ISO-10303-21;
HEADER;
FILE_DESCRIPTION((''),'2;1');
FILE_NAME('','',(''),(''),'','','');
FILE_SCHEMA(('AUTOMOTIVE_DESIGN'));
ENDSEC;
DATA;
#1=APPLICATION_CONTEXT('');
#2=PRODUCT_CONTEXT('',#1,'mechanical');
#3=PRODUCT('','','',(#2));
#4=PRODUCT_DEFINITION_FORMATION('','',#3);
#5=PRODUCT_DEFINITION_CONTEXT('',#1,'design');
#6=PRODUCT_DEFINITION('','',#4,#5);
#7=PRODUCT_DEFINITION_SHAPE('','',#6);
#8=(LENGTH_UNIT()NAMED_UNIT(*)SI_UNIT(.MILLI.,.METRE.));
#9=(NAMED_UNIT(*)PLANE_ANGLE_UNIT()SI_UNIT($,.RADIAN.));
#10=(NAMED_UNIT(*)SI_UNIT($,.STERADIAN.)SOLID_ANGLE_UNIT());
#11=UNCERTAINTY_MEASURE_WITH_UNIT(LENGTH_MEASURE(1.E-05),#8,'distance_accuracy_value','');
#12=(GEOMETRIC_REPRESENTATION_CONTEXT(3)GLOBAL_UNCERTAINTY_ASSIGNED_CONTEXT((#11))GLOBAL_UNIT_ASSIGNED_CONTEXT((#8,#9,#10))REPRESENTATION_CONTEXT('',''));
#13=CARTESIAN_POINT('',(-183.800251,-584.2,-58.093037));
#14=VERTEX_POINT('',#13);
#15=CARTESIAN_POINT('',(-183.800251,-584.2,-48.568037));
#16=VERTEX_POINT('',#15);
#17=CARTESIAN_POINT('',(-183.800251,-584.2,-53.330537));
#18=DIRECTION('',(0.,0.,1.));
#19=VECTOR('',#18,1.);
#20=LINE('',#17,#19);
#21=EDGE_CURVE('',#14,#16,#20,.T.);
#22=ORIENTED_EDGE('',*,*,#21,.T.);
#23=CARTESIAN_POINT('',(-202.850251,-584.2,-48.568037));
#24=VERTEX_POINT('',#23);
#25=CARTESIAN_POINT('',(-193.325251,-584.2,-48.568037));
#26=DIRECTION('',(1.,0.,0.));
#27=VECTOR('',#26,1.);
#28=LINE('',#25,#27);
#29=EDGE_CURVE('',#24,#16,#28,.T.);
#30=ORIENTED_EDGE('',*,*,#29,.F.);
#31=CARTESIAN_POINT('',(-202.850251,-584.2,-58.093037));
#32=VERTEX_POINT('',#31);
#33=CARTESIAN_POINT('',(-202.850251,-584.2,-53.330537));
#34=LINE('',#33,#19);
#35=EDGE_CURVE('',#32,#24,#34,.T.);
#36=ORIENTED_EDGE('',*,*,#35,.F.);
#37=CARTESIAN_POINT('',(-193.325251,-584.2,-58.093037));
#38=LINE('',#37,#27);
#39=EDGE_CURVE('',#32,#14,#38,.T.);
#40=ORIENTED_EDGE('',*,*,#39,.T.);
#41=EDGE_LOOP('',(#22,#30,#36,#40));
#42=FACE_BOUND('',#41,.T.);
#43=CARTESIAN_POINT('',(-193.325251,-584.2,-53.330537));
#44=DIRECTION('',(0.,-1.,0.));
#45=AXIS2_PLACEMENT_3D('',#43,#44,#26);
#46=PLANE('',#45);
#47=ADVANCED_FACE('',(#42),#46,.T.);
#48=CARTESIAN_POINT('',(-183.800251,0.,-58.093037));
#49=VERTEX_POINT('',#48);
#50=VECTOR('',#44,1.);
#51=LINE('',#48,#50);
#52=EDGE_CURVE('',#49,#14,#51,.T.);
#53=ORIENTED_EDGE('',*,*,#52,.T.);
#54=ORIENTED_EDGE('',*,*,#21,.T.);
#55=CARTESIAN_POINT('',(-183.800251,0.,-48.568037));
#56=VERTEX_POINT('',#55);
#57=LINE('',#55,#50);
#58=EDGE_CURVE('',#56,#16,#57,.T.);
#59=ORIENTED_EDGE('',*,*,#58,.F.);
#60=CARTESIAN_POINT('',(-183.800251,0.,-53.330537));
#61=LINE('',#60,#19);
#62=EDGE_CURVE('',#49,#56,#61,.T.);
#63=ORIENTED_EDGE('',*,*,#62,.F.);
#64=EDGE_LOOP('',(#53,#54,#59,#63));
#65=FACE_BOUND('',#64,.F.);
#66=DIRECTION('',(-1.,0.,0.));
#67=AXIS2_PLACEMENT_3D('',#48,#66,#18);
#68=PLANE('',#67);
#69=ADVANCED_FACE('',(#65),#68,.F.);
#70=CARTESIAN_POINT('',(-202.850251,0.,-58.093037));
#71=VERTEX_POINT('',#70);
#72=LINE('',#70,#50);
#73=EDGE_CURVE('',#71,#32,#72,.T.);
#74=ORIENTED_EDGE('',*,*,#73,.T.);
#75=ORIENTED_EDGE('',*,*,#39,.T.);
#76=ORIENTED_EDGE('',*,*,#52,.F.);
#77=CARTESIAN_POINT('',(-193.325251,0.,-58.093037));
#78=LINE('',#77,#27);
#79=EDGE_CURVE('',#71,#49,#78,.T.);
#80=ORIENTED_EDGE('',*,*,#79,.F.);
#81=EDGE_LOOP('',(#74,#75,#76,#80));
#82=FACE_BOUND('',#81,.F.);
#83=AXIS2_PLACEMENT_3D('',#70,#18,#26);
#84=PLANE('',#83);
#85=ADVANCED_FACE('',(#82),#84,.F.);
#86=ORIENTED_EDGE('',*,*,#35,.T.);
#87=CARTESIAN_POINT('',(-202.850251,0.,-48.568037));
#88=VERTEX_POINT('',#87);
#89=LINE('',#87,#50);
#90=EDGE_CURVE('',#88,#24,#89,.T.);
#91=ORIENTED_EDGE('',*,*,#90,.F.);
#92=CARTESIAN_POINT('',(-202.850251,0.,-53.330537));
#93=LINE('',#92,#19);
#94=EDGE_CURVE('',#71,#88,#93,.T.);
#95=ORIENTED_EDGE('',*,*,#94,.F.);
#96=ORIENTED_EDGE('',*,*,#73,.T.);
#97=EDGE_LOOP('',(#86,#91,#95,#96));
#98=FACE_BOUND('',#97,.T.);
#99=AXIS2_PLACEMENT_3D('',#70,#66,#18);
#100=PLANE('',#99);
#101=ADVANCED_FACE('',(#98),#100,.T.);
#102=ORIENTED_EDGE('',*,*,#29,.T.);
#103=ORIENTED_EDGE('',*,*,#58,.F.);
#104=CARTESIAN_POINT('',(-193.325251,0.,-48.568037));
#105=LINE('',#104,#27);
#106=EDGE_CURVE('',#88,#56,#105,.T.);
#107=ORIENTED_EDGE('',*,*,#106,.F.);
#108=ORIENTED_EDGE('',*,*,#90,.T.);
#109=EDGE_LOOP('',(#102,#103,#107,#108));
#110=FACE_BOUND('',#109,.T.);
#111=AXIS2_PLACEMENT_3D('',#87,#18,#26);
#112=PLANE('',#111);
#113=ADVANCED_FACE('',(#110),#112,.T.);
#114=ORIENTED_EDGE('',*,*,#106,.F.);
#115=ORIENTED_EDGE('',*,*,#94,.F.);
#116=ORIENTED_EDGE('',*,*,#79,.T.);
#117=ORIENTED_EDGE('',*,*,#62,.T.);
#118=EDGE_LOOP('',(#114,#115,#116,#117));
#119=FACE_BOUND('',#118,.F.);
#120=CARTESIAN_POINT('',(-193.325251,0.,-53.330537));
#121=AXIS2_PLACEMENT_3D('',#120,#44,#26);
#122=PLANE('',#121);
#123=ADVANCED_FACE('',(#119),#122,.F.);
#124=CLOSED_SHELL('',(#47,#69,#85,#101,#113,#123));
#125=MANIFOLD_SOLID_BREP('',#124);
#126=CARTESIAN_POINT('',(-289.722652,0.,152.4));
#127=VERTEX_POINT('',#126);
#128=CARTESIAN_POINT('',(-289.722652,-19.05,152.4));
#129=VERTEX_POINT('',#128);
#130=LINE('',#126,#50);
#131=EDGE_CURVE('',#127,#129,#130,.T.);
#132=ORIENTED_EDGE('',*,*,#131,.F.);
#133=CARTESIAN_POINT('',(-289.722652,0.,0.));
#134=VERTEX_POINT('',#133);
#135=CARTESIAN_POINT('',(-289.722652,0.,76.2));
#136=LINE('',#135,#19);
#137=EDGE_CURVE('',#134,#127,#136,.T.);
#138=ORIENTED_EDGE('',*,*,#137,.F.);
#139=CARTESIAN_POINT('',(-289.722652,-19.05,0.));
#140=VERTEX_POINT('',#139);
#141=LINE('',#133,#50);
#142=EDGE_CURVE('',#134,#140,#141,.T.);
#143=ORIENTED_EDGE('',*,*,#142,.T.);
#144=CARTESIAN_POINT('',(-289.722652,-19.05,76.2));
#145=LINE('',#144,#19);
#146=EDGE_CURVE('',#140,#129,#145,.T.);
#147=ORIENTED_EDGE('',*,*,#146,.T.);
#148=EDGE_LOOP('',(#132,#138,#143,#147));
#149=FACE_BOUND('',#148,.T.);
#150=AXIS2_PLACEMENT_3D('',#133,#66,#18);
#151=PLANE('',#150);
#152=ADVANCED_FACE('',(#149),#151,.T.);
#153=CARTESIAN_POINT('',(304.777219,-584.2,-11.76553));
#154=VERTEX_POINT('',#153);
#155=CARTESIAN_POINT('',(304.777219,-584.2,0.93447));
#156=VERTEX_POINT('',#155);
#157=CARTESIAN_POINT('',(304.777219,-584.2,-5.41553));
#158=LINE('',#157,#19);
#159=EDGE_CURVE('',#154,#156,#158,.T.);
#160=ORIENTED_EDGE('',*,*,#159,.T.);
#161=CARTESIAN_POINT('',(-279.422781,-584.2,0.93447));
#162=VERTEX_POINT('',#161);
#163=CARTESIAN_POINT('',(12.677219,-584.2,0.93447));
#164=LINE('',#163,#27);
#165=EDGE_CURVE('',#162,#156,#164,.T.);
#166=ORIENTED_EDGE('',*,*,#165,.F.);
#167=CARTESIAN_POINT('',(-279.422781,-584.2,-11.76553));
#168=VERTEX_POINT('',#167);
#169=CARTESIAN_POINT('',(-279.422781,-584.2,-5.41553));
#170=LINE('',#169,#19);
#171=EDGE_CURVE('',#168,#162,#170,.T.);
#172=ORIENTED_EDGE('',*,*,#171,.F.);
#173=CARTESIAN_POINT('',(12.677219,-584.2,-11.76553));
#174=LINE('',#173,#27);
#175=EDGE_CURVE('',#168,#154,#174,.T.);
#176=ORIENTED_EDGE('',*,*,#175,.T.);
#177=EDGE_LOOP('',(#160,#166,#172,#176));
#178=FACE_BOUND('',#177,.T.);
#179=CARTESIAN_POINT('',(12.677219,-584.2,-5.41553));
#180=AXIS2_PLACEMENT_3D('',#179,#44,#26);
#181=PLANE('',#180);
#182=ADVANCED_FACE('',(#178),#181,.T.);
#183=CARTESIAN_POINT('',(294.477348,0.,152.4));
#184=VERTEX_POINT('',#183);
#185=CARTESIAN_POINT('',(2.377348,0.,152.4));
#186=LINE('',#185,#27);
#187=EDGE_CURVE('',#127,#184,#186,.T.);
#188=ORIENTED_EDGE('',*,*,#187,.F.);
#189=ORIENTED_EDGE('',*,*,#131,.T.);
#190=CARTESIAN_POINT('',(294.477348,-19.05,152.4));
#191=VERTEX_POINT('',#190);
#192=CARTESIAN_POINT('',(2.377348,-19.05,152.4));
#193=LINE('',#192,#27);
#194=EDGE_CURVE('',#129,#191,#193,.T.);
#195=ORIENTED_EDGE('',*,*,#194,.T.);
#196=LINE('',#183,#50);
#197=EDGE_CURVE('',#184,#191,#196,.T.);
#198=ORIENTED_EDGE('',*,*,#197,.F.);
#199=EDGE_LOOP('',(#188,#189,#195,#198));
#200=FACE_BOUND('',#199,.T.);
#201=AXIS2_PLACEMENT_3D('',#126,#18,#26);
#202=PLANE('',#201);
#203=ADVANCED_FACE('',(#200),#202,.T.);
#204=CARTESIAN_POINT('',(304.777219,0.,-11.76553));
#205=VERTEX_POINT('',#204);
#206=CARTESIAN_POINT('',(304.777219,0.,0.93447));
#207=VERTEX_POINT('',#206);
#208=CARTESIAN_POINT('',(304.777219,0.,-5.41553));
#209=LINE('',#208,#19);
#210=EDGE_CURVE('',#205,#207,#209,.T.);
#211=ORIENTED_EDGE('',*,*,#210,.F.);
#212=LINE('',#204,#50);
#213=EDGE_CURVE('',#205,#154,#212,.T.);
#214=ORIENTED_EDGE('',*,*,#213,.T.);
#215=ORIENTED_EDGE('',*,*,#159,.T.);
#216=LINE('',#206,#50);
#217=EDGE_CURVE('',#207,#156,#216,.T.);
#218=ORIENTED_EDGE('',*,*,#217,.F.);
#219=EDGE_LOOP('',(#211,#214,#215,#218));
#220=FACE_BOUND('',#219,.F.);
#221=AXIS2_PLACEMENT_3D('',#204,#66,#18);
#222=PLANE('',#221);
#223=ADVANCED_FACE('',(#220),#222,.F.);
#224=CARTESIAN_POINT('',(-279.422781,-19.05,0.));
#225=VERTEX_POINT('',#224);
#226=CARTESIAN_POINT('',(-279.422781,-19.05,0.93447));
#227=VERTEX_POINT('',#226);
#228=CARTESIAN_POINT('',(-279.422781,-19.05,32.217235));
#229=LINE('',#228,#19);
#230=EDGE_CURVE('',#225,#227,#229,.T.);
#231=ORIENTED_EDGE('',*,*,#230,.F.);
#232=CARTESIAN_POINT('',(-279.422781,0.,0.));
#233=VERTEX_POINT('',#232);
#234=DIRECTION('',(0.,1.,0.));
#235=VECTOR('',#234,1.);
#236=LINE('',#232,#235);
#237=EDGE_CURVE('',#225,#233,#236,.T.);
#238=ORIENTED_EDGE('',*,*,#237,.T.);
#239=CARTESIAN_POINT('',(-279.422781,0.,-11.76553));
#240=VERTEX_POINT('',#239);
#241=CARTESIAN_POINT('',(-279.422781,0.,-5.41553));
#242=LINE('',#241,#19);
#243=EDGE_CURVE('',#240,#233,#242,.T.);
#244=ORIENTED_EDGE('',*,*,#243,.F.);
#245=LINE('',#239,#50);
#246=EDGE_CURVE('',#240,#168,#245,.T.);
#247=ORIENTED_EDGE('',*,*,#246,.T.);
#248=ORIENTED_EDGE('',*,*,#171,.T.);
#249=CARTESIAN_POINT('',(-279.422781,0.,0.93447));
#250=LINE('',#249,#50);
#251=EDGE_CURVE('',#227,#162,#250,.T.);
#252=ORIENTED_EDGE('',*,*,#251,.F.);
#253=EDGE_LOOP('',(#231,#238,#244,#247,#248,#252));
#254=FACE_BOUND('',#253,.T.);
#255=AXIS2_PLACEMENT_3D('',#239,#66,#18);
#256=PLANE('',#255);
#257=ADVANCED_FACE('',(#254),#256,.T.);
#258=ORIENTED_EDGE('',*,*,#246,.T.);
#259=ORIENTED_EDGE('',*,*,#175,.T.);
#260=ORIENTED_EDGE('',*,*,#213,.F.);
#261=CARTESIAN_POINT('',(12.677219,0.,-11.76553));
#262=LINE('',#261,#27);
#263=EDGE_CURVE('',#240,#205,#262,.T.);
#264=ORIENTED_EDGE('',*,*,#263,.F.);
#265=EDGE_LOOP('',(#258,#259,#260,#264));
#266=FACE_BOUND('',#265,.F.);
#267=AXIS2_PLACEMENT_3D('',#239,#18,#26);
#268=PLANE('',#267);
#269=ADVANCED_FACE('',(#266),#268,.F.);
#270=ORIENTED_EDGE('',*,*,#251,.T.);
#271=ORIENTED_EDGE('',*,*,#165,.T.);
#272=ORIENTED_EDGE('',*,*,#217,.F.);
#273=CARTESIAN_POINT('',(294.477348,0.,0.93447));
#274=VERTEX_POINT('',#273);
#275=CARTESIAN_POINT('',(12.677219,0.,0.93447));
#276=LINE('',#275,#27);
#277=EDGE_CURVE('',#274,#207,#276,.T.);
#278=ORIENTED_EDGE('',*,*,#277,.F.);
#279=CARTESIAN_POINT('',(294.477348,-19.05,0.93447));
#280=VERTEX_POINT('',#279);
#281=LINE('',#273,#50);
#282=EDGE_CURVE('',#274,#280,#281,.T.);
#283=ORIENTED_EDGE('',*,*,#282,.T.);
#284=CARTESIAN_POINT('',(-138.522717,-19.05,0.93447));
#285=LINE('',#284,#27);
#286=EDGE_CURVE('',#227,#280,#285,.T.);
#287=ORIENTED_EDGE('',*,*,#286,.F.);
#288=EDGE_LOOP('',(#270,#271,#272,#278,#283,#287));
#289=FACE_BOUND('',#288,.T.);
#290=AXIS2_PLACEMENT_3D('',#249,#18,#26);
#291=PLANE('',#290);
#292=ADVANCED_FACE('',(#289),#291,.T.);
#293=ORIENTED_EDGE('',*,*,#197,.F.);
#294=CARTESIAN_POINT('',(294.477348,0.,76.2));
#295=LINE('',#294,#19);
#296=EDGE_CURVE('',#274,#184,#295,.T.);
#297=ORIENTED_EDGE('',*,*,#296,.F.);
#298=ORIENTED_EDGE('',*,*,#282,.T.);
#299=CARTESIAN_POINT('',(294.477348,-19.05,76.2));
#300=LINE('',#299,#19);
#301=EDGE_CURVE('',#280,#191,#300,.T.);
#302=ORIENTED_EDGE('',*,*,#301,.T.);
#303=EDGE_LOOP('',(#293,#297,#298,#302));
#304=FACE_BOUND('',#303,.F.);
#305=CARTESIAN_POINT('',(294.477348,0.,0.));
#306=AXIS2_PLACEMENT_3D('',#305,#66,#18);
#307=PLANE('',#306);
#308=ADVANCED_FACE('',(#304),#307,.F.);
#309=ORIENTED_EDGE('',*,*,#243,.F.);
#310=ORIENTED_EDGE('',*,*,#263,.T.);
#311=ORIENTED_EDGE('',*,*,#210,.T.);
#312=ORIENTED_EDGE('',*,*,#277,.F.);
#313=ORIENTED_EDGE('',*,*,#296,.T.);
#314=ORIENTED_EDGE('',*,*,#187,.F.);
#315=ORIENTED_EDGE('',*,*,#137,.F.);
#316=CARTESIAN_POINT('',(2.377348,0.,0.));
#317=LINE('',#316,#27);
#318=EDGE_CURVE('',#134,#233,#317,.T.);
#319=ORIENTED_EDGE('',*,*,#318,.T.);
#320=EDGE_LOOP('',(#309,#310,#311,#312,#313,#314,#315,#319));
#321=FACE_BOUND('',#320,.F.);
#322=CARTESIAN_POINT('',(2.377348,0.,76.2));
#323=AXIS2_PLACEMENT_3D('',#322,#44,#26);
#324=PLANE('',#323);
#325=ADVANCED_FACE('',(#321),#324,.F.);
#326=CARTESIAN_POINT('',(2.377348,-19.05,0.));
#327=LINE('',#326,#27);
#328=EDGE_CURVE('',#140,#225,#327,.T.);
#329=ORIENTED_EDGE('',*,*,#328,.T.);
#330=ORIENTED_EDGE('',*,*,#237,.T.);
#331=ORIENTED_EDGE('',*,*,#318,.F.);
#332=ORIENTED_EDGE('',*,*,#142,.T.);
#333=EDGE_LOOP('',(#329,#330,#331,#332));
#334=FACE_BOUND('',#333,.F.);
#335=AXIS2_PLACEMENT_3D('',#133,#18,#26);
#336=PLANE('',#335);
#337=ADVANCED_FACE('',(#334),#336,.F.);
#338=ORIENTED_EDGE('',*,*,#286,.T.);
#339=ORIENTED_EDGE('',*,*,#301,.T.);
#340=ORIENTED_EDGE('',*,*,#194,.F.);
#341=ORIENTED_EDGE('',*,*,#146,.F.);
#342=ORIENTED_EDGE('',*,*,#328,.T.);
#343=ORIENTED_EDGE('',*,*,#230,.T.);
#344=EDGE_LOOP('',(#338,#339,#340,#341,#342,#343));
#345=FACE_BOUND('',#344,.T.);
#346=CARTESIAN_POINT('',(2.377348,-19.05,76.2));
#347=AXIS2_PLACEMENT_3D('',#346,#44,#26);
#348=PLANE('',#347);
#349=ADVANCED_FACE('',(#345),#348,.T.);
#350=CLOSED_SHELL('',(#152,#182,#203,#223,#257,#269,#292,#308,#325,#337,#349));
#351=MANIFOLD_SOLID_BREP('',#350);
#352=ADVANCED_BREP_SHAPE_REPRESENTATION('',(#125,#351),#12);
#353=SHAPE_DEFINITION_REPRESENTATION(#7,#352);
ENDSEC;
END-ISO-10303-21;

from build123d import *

# Parameters (mm, degrees)
F1_W     = 19.05
F1_H     = 9.525
F2_DEPTH = 584.2
F0_W     = 584.2
F0_H     = 12.7
F3_DEPTH = 584.2
F4_W     = 584.2
F4_H     = 152.4
F5_DEPTH = 19.05


with BuildPart() as f2:
    # F1 (on Front) → F2 (new body)
    with BuildSketch(Plane.XZ):
        with Locations((-193.325251, -53.330537)):
            Rectangle(F1_W, F1_H)
    extrude(amount=F2_DEPTH)


with BuildPart() as f3:
    # F0 (on Front) → F3 (new body)
    with BuildSketch(Plane.XZ):
        with Locations((12.677219, -5.41553)):
            Rectangle(F0_W, F0_H)
    extrude(amount=F3_DEPTH)

    # F4 (on Front) → F5 (join)
    with BuildSketch(Plane.XZ):
        with Locations((2.377348, 76.2)):
            Rectangle(F4_W, F4_H)
    extrude(amount=F5_DEPTH)


solid = Compound([f2.part, f3.part])
